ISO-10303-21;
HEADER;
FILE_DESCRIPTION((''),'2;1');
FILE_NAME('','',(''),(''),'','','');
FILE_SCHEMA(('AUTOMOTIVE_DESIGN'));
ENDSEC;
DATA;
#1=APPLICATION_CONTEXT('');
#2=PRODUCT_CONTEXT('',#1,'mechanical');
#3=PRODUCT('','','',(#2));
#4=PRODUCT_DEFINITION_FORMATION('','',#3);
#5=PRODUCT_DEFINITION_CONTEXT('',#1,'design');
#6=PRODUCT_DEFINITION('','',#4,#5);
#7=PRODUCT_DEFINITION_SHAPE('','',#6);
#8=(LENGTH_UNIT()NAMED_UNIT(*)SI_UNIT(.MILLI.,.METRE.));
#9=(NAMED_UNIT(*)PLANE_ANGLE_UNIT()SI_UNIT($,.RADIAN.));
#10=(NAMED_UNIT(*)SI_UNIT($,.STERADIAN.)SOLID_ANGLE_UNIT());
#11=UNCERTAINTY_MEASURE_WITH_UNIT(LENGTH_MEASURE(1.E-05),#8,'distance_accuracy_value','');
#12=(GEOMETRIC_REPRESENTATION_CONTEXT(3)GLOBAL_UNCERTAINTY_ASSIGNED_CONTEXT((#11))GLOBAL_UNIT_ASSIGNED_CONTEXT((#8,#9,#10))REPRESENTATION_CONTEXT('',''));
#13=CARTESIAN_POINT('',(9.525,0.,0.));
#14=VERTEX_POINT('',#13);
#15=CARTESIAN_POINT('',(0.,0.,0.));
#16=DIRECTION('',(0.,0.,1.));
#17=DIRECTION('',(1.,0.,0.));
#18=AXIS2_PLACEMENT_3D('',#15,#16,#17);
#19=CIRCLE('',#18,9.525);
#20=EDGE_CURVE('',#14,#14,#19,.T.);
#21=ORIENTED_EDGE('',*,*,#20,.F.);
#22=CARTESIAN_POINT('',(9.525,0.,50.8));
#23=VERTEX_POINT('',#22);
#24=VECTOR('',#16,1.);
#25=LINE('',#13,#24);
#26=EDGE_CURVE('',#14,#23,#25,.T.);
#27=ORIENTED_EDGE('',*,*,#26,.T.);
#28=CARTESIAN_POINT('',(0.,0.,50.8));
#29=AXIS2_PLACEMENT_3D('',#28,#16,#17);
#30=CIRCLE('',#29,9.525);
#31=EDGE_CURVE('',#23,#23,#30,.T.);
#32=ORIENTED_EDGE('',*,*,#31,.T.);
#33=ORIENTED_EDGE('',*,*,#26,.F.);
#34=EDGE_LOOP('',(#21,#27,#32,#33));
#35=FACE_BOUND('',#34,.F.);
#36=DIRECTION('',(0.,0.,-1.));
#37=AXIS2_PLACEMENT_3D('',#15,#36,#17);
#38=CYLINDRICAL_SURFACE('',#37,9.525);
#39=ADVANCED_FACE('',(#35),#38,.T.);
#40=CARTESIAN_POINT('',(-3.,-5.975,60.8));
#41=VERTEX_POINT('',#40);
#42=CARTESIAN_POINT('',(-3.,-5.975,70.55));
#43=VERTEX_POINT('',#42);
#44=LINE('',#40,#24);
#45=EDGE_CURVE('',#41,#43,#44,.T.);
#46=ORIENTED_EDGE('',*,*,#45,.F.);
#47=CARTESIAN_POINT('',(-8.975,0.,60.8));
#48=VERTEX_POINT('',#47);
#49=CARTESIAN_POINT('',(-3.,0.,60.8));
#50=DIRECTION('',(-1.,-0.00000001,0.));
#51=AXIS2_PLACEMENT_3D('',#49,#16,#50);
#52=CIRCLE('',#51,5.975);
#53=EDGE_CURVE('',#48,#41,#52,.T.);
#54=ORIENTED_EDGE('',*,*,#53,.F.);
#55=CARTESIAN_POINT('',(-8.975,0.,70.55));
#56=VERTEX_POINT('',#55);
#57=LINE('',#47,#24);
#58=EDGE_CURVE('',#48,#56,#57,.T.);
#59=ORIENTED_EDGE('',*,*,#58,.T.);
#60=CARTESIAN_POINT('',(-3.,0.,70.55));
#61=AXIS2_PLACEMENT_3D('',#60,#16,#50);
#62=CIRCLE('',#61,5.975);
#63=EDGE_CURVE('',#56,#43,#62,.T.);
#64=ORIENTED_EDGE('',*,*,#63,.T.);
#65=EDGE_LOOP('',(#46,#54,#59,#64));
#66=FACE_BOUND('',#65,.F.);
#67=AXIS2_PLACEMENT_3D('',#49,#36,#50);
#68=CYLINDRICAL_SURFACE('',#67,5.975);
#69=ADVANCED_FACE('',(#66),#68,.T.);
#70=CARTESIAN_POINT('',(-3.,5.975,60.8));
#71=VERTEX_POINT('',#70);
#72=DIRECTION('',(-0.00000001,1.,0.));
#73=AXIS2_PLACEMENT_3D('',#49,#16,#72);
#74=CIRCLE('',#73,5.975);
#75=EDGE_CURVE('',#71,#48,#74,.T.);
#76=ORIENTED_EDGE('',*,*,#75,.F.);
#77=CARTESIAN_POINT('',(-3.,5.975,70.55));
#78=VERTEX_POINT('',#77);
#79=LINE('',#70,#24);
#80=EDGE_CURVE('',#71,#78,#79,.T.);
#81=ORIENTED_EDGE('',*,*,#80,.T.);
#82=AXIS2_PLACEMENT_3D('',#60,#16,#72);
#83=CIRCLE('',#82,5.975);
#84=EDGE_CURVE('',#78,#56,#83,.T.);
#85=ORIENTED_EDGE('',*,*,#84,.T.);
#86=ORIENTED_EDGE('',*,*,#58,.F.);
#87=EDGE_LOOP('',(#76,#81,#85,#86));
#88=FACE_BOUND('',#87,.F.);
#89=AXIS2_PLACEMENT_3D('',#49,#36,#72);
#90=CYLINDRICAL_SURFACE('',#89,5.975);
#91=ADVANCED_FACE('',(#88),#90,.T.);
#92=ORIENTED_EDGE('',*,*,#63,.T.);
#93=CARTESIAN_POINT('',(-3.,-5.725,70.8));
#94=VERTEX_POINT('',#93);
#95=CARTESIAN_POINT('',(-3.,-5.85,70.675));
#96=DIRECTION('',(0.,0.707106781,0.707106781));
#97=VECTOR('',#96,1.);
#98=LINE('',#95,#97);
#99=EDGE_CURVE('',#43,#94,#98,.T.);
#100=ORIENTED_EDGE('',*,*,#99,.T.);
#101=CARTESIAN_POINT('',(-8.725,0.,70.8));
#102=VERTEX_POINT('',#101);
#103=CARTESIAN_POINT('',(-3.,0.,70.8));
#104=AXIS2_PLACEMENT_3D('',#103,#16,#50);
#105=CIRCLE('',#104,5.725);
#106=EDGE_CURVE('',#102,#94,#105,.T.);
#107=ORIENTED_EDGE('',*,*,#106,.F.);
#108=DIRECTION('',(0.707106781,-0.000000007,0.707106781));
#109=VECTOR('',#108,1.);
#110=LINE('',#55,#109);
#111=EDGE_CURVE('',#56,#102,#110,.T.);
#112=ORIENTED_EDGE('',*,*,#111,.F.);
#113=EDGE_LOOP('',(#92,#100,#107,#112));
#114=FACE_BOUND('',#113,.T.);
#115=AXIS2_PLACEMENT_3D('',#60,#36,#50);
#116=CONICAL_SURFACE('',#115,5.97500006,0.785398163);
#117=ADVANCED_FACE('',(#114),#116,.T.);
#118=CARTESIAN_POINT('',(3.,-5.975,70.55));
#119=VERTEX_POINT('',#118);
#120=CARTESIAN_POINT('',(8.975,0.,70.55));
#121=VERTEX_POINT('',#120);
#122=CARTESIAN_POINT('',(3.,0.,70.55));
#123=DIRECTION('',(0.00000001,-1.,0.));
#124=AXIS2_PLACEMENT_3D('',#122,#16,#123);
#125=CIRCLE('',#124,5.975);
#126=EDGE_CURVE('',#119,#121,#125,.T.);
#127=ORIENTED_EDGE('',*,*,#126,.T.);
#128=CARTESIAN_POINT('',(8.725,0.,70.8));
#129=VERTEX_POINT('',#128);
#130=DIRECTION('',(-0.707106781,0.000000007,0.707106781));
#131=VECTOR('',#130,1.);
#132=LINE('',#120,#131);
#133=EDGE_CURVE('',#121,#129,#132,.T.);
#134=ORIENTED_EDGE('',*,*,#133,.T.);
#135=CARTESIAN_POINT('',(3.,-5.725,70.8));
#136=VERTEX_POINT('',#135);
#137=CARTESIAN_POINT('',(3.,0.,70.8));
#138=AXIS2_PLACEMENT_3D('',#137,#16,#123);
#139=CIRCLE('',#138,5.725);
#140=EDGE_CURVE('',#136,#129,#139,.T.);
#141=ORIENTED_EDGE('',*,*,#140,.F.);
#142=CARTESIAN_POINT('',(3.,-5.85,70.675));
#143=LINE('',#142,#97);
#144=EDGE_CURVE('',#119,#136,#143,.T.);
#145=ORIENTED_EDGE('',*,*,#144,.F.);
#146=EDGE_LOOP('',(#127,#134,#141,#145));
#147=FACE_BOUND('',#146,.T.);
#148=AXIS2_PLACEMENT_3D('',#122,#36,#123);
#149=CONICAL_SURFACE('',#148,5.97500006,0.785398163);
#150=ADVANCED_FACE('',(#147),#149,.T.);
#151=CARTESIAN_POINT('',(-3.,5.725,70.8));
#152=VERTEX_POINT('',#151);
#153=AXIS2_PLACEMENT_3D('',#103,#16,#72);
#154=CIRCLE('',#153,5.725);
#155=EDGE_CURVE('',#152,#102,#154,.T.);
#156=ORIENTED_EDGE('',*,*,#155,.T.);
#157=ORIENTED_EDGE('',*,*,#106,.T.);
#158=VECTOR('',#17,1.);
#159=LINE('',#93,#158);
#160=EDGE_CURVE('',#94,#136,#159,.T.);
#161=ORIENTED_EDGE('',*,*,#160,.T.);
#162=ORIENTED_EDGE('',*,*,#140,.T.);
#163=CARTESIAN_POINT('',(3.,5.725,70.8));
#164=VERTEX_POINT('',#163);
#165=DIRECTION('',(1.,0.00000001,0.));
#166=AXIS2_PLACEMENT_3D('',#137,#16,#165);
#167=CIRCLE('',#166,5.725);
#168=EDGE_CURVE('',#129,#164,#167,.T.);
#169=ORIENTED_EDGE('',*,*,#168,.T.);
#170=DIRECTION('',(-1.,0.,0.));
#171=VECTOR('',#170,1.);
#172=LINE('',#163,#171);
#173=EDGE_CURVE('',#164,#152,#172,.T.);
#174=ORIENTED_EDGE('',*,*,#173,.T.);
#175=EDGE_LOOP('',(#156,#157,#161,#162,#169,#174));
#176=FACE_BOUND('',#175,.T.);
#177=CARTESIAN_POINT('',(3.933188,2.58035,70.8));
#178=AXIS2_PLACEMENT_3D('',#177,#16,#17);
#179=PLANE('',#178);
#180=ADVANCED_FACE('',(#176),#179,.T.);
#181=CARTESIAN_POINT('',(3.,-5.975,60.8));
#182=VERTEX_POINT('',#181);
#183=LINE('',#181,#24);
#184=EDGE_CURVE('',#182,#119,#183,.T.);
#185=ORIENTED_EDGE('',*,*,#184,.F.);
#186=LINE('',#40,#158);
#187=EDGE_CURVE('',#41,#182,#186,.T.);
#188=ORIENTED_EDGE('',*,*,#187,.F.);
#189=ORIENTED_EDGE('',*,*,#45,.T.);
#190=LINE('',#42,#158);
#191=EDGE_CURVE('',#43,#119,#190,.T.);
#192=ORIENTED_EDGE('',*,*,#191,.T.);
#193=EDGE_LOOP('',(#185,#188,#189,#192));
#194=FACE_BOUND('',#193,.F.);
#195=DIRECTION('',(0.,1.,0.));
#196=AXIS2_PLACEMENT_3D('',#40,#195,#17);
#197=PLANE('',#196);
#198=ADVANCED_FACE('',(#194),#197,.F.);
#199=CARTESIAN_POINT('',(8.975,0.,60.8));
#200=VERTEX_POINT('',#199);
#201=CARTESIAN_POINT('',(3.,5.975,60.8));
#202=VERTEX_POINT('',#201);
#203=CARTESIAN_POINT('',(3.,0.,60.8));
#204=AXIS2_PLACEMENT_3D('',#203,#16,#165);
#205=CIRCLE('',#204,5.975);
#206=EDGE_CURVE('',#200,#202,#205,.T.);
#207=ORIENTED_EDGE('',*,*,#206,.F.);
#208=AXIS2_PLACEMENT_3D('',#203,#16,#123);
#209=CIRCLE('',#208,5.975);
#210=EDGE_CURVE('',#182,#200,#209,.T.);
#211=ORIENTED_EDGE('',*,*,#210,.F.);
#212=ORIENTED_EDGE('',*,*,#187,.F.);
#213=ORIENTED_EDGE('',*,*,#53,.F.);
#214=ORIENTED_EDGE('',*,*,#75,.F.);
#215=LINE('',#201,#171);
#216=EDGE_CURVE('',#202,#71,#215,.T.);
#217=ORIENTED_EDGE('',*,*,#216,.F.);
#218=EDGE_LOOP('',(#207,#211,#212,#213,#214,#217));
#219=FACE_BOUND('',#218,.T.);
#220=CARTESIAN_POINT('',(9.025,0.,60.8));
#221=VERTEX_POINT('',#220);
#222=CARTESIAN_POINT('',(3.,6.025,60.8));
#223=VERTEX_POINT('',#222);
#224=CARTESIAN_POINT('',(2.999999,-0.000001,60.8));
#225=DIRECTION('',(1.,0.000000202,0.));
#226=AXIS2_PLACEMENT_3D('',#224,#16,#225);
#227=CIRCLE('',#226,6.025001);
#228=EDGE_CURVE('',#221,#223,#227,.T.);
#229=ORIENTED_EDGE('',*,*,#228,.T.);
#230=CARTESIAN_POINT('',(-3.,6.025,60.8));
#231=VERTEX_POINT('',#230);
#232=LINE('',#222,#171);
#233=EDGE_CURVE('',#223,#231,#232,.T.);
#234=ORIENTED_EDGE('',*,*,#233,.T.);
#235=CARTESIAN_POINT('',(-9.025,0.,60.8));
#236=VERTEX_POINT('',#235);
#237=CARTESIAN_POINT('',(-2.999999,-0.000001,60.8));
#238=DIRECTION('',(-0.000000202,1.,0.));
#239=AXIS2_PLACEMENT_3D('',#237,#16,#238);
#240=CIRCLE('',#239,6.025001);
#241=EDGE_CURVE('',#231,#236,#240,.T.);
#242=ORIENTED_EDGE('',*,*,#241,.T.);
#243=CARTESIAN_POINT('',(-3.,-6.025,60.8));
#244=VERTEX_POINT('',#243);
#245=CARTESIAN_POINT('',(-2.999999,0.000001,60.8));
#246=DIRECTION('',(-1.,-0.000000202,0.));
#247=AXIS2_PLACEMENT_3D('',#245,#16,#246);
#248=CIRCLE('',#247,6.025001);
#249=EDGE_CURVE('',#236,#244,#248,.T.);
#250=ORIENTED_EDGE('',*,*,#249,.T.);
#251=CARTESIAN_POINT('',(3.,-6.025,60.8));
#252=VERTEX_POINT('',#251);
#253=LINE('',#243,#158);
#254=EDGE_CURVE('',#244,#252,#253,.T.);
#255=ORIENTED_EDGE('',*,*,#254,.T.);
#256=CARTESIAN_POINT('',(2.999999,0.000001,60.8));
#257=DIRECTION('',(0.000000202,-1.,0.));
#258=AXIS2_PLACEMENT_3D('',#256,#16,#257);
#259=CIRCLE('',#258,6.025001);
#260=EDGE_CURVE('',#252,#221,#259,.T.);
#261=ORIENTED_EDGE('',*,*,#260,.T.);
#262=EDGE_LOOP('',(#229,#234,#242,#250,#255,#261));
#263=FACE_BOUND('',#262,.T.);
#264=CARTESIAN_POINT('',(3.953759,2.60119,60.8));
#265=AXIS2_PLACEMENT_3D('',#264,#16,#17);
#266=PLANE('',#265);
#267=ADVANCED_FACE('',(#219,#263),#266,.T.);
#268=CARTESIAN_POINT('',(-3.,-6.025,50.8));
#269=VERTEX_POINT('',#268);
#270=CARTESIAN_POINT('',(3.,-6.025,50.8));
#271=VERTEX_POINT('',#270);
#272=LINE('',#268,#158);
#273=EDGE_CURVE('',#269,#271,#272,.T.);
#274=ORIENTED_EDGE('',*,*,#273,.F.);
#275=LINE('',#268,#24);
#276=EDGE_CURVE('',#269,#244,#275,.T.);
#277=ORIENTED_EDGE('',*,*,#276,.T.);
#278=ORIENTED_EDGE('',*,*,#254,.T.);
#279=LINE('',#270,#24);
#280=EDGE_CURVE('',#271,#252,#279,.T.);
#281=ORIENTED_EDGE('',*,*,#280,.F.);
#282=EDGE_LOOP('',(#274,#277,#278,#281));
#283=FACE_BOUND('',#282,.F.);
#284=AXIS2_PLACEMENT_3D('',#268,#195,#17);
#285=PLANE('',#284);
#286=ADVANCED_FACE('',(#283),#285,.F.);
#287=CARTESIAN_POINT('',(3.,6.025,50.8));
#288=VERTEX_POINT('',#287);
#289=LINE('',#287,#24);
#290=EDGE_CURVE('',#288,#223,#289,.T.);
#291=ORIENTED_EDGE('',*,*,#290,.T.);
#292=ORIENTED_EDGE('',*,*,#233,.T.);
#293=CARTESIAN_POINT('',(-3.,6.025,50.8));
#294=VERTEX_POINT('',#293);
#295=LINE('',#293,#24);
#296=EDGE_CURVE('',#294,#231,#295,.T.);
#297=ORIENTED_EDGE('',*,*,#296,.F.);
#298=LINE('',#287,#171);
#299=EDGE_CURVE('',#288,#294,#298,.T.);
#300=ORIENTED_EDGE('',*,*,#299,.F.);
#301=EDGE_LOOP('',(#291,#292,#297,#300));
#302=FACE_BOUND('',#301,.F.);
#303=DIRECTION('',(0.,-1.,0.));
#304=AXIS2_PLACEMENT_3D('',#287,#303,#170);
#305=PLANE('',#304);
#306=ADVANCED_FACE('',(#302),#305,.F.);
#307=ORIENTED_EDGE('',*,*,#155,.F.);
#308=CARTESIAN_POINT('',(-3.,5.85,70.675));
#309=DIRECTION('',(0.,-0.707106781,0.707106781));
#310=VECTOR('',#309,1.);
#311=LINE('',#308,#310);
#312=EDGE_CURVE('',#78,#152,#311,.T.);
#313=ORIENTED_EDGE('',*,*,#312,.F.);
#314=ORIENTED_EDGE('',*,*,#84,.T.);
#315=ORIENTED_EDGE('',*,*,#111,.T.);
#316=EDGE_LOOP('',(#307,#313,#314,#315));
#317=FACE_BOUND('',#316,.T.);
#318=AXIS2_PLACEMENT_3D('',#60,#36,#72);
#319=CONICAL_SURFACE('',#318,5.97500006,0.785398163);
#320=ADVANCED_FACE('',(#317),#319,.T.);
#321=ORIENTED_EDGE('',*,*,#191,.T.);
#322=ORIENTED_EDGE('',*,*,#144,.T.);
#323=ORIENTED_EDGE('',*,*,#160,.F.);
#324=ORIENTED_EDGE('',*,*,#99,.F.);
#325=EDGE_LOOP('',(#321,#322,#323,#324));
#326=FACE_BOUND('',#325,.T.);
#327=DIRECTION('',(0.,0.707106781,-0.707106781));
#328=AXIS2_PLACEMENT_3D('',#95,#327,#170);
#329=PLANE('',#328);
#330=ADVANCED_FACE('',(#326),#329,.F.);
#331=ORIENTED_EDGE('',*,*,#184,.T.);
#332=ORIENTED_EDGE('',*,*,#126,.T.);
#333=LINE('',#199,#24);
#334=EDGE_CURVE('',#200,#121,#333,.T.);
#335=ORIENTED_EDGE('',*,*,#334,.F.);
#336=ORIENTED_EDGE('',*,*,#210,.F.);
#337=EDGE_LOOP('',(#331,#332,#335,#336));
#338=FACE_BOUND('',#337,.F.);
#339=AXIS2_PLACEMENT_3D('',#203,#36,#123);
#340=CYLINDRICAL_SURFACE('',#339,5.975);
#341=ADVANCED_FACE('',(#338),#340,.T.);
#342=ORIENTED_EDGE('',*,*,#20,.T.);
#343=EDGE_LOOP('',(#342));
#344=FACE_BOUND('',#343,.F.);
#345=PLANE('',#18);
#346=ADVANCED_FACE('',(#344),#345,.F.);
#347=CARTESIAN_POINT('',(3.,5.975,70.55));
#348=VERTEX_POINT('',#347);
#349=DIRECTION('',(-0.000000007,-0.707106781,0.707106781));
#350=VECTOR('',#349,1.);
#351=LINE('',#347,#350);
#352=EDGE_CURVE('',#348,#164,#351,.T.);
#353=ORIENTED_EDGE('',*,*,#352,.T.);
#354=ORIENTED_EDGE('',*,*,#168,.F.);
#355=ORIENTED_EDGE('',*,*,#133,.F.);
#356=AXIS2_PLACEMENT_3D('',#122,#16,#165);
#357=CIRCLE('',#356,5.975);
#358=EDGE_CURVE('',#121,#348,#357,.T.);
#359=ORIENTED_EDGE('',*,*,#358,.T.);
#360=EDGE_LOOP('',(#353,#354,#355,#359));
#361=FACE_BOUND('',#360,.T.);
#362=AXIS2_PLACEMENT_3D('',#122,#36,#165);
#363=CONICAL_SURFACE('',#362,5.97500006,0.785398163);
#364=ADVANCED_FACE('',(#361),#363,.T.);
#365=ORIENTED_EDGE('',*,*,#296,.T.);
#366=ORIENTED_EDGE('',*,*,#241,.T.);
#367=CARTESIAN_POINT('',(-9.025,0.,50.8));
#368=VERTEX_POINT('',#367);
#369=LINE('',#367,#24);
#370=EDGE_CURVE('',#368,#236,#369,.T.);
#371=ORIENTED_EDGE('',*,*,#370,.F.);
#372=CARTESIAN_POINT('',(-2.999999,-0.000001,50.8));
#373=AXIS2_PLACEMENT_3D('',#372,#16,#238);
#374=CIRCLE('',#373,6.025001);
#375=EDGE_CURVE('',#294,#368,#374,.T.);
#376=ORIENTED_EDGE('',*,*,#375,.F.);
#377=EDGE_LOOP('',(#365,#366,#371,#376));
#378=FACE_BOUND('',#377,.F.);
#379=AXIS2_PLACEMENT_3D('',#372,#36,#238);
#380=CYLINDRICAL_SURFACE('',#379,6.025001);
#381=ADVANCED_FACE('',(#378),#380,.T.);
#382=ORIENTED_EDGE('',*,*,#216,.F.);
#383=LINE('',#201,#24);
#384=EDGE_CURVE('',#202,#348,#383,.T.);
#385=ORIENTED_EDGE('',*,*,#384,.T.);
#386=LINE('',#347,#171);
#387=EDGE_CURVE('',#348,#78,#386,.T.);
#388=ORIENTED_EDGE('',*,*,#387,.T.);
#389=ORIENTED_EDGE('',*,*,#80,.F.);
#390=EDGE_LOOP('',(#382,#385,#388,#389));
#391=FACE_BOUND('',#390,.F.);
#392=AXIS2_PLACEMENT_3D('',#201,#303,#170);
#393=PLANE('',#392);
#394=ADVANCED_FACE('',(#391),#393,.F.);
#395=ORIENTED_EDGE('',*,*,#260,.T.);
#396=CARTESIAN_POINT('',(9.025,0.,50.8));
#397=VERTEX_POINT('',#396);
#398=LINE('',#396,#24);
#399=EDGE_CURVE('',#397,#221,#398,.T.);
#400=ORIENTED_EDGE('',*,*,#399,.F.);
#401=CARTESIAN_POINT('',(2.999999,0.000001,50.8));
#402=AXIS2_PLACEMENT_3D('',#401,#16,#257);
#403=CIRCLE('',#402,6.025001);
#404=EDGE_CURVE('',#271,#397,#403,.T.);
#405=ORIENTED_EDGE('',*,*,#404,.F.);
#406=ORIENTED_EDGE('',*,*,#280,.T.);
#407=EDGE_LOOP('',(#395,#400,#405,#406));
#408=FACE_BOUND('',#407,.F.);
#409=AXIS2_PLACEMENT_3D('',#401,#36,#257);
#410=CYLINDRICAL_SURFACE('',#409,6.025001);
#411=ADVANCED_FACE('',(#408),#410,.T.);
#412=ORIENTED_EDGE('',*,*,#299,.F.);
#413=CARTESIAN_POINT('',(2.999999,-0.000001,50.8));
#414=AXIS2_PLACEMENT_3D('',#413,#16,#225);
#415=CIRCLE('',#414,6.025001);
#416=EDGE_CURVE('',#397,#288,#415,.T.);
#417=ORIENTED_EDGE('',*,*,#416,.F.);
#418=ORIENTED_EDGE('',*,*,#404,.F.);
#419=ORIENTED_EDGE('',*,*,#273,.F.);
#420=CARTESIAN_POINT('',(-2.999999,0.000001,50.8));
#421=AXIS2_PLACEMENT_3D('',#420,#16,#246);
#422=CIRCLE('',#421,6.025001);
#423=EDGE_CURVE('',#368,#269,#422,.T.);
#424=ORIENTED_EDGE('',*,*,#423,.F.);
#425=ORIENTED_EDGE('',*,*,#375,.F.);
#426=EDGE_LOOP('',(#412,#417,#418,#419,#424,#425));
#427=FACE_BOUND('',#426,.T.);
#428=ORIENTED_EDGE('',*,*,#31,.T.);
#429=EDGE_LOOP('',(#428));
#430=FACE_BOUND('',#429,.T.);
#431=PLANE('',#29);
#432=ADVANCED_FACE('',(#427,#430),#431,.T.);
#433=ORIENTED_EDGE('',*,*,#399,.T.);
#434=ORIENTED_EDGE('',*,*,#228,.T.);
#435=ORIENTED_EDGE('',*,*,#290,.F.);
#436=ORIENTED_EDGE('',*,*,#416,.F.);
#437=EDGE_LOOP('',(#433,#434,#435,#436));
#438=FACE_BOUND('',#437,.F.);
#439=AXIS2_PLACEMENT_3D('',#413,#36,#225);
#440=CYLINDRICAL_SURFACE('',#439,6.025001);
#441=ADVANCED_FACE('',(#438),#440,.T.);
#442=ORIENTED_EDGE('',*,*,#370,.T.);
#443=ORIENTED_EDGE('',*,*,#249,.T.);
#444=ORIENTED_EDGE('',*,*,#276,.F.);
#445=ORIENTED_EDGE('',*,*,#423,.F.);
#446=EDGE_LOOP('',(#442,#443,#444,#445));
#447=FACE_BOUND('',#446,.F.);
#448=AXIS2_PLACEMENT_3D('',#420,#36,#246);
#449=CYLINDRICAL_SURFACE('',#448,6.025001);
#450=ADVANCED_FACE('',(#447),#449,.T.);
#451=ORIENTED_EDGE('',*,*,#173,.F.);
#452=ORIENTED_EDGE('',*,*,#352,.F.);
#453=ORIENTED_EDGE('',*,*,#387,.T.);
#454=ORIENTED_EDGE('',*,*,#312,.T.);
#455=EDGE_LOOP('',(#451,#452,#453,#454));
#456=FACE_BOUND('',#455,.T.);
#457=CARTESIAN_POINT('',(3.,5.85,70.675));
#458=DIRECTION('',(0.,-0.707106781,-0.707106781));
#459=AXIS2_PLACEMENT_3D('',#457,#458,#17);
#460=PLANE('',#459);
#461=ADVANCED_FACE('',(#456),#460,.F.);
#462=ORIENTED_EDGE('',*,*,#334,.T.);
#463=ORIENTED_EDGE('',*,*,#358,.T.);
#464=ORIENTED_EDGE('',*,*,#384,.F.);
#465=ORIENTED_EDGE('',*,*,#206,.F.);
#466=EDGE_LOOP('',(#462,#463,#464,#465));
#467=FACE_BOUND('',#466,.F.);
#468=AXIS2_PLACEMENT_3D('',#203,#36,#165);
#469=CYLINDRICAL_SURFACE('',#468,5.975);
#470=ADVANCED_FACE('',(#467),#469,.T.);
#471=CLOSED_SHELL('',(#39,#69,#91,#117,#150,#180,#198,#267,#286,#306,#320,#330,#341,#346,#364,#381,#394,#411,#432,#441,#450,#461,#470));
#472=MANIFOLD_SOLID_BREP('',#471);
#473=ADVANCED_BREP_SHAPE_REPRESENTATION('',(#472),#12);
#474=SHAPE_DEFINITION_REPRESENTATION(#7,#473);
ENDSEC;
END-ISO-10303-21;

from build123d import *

# Parameters (mm, degrees)
F0_R     = 9.525
F1_DEPTH = 50.8
F3_DEPTH = 10
F5_DEPTH = 10
F6_SIZE  = 0.25


with BuildPart() as f1:
    # F0 (on Top) → F1 (new body)
    with BuildSketch(Plane.XY):
        Circle(F0_R)
    extrude(amount=F1_DEPTH)

    # F2 (on face) → F3 (join)
    with BuildSketch(Plane.XY.offset(50.8)):
        with BuildLine():
            Line((0, 6.025), (0, 0))
            Line((0, 0), (3, 0))
            Line((3, 0), (9.025, 0))
            ThreePointArc((9.025, 0), (7.260318, 4.260318), (3, 6.025))
            Line((3, 6.025), (0, 6.025))
        make_face()
        with BuildLine():
            Line((0, -6.025), (0, 0))
            Line((0, 0), (-3, 0))
            Line((-3, 0), (-9.025, 0))
            ThreePointArc((-9.025, 0), (-7.260318, -4.260318), (-3, -6.025))
            Line((-3, -6.025), (0, -6.025))
        make_face()
        with BuildLine():
            Line((-3, 0), (0, 0))
            Line((0, 0), (0, 6.025))
            Line((0, 6.025), (-3, 6.025))
            ThreePointArc((-3, 6.025), (-7.260318, 4.260318), (-9.025, 0))
            Line((-9.025, 0), (-3, 0))
        make_face()
        with BuildLine():
            Line((3, 0), (0, 0))
            Line((0, 0), (0, -6.025))
            Line((0, -6.025), (3, -6.025))
            ThreePointArc((3, -6.025), (7.260318, -4.260318), (9.025, 0))
            Line((9.025, 0), (3, 0))
        make_face()
    extrude(amount=F3_DEPTH)

    # F4 (on face) → F5 (join)
    with BuildSketch(Plane.XY.offset(60.8)):
        with BuildLine():
            Line((0, 5.975), (0, 0))
            Line((0, 0), (3, 0))
            Line((3, 0), (8.975, 0))
            ThreePointArc((8.975, 0), (7.224963, 4.224963), (3, 5.975))
            Line((3, 5.975), (0, 5.975))
        make_face()
        with BuildLine():
            Line((0, -5.975), (0, 0))
            Line((0, 0), (-3, 0))
            Line((-3, 0), (-8.975, 0))
            ThreePointArc((-8.975, 0), (-7.224963, -4.224963), (-3, -5.975))
            Line((-3, -5.975), (0, -5.975))
        make_face()
        with BuildLine():
            Line((-3, 0), (0, 0))
            Line((0, 0), (0, 5.975))
            Line((0, 5.975), (-3, 5.975))
            ThreePointArc((-3, 5.975), (-7.224963, 4.224963), (-8.975, 0))
            Line((-8.975, 0), (-3, 0))
        make_face()
        with BuildLine():
            Line((3, 0), (0, 0))
            Line((0, 0), (0, -5.975))
            Line((0, -5.975), (3, -5.975))
            ThreePointArc((3, -5.975), (7.224963, -4.224963), (8.975, 0))
            Line((8.975, 0), (3, 0))
        make_face()
    extrude(amount=F5_DEPTH)

    # F6
    f6_edges = [f1.edges().sort_by_distance(p)[0] for p in [
        (0, -5.975, 70.8),
    ]]
    chamfer(f6_edges, length=F6_SIZE)


solid = f1.part
